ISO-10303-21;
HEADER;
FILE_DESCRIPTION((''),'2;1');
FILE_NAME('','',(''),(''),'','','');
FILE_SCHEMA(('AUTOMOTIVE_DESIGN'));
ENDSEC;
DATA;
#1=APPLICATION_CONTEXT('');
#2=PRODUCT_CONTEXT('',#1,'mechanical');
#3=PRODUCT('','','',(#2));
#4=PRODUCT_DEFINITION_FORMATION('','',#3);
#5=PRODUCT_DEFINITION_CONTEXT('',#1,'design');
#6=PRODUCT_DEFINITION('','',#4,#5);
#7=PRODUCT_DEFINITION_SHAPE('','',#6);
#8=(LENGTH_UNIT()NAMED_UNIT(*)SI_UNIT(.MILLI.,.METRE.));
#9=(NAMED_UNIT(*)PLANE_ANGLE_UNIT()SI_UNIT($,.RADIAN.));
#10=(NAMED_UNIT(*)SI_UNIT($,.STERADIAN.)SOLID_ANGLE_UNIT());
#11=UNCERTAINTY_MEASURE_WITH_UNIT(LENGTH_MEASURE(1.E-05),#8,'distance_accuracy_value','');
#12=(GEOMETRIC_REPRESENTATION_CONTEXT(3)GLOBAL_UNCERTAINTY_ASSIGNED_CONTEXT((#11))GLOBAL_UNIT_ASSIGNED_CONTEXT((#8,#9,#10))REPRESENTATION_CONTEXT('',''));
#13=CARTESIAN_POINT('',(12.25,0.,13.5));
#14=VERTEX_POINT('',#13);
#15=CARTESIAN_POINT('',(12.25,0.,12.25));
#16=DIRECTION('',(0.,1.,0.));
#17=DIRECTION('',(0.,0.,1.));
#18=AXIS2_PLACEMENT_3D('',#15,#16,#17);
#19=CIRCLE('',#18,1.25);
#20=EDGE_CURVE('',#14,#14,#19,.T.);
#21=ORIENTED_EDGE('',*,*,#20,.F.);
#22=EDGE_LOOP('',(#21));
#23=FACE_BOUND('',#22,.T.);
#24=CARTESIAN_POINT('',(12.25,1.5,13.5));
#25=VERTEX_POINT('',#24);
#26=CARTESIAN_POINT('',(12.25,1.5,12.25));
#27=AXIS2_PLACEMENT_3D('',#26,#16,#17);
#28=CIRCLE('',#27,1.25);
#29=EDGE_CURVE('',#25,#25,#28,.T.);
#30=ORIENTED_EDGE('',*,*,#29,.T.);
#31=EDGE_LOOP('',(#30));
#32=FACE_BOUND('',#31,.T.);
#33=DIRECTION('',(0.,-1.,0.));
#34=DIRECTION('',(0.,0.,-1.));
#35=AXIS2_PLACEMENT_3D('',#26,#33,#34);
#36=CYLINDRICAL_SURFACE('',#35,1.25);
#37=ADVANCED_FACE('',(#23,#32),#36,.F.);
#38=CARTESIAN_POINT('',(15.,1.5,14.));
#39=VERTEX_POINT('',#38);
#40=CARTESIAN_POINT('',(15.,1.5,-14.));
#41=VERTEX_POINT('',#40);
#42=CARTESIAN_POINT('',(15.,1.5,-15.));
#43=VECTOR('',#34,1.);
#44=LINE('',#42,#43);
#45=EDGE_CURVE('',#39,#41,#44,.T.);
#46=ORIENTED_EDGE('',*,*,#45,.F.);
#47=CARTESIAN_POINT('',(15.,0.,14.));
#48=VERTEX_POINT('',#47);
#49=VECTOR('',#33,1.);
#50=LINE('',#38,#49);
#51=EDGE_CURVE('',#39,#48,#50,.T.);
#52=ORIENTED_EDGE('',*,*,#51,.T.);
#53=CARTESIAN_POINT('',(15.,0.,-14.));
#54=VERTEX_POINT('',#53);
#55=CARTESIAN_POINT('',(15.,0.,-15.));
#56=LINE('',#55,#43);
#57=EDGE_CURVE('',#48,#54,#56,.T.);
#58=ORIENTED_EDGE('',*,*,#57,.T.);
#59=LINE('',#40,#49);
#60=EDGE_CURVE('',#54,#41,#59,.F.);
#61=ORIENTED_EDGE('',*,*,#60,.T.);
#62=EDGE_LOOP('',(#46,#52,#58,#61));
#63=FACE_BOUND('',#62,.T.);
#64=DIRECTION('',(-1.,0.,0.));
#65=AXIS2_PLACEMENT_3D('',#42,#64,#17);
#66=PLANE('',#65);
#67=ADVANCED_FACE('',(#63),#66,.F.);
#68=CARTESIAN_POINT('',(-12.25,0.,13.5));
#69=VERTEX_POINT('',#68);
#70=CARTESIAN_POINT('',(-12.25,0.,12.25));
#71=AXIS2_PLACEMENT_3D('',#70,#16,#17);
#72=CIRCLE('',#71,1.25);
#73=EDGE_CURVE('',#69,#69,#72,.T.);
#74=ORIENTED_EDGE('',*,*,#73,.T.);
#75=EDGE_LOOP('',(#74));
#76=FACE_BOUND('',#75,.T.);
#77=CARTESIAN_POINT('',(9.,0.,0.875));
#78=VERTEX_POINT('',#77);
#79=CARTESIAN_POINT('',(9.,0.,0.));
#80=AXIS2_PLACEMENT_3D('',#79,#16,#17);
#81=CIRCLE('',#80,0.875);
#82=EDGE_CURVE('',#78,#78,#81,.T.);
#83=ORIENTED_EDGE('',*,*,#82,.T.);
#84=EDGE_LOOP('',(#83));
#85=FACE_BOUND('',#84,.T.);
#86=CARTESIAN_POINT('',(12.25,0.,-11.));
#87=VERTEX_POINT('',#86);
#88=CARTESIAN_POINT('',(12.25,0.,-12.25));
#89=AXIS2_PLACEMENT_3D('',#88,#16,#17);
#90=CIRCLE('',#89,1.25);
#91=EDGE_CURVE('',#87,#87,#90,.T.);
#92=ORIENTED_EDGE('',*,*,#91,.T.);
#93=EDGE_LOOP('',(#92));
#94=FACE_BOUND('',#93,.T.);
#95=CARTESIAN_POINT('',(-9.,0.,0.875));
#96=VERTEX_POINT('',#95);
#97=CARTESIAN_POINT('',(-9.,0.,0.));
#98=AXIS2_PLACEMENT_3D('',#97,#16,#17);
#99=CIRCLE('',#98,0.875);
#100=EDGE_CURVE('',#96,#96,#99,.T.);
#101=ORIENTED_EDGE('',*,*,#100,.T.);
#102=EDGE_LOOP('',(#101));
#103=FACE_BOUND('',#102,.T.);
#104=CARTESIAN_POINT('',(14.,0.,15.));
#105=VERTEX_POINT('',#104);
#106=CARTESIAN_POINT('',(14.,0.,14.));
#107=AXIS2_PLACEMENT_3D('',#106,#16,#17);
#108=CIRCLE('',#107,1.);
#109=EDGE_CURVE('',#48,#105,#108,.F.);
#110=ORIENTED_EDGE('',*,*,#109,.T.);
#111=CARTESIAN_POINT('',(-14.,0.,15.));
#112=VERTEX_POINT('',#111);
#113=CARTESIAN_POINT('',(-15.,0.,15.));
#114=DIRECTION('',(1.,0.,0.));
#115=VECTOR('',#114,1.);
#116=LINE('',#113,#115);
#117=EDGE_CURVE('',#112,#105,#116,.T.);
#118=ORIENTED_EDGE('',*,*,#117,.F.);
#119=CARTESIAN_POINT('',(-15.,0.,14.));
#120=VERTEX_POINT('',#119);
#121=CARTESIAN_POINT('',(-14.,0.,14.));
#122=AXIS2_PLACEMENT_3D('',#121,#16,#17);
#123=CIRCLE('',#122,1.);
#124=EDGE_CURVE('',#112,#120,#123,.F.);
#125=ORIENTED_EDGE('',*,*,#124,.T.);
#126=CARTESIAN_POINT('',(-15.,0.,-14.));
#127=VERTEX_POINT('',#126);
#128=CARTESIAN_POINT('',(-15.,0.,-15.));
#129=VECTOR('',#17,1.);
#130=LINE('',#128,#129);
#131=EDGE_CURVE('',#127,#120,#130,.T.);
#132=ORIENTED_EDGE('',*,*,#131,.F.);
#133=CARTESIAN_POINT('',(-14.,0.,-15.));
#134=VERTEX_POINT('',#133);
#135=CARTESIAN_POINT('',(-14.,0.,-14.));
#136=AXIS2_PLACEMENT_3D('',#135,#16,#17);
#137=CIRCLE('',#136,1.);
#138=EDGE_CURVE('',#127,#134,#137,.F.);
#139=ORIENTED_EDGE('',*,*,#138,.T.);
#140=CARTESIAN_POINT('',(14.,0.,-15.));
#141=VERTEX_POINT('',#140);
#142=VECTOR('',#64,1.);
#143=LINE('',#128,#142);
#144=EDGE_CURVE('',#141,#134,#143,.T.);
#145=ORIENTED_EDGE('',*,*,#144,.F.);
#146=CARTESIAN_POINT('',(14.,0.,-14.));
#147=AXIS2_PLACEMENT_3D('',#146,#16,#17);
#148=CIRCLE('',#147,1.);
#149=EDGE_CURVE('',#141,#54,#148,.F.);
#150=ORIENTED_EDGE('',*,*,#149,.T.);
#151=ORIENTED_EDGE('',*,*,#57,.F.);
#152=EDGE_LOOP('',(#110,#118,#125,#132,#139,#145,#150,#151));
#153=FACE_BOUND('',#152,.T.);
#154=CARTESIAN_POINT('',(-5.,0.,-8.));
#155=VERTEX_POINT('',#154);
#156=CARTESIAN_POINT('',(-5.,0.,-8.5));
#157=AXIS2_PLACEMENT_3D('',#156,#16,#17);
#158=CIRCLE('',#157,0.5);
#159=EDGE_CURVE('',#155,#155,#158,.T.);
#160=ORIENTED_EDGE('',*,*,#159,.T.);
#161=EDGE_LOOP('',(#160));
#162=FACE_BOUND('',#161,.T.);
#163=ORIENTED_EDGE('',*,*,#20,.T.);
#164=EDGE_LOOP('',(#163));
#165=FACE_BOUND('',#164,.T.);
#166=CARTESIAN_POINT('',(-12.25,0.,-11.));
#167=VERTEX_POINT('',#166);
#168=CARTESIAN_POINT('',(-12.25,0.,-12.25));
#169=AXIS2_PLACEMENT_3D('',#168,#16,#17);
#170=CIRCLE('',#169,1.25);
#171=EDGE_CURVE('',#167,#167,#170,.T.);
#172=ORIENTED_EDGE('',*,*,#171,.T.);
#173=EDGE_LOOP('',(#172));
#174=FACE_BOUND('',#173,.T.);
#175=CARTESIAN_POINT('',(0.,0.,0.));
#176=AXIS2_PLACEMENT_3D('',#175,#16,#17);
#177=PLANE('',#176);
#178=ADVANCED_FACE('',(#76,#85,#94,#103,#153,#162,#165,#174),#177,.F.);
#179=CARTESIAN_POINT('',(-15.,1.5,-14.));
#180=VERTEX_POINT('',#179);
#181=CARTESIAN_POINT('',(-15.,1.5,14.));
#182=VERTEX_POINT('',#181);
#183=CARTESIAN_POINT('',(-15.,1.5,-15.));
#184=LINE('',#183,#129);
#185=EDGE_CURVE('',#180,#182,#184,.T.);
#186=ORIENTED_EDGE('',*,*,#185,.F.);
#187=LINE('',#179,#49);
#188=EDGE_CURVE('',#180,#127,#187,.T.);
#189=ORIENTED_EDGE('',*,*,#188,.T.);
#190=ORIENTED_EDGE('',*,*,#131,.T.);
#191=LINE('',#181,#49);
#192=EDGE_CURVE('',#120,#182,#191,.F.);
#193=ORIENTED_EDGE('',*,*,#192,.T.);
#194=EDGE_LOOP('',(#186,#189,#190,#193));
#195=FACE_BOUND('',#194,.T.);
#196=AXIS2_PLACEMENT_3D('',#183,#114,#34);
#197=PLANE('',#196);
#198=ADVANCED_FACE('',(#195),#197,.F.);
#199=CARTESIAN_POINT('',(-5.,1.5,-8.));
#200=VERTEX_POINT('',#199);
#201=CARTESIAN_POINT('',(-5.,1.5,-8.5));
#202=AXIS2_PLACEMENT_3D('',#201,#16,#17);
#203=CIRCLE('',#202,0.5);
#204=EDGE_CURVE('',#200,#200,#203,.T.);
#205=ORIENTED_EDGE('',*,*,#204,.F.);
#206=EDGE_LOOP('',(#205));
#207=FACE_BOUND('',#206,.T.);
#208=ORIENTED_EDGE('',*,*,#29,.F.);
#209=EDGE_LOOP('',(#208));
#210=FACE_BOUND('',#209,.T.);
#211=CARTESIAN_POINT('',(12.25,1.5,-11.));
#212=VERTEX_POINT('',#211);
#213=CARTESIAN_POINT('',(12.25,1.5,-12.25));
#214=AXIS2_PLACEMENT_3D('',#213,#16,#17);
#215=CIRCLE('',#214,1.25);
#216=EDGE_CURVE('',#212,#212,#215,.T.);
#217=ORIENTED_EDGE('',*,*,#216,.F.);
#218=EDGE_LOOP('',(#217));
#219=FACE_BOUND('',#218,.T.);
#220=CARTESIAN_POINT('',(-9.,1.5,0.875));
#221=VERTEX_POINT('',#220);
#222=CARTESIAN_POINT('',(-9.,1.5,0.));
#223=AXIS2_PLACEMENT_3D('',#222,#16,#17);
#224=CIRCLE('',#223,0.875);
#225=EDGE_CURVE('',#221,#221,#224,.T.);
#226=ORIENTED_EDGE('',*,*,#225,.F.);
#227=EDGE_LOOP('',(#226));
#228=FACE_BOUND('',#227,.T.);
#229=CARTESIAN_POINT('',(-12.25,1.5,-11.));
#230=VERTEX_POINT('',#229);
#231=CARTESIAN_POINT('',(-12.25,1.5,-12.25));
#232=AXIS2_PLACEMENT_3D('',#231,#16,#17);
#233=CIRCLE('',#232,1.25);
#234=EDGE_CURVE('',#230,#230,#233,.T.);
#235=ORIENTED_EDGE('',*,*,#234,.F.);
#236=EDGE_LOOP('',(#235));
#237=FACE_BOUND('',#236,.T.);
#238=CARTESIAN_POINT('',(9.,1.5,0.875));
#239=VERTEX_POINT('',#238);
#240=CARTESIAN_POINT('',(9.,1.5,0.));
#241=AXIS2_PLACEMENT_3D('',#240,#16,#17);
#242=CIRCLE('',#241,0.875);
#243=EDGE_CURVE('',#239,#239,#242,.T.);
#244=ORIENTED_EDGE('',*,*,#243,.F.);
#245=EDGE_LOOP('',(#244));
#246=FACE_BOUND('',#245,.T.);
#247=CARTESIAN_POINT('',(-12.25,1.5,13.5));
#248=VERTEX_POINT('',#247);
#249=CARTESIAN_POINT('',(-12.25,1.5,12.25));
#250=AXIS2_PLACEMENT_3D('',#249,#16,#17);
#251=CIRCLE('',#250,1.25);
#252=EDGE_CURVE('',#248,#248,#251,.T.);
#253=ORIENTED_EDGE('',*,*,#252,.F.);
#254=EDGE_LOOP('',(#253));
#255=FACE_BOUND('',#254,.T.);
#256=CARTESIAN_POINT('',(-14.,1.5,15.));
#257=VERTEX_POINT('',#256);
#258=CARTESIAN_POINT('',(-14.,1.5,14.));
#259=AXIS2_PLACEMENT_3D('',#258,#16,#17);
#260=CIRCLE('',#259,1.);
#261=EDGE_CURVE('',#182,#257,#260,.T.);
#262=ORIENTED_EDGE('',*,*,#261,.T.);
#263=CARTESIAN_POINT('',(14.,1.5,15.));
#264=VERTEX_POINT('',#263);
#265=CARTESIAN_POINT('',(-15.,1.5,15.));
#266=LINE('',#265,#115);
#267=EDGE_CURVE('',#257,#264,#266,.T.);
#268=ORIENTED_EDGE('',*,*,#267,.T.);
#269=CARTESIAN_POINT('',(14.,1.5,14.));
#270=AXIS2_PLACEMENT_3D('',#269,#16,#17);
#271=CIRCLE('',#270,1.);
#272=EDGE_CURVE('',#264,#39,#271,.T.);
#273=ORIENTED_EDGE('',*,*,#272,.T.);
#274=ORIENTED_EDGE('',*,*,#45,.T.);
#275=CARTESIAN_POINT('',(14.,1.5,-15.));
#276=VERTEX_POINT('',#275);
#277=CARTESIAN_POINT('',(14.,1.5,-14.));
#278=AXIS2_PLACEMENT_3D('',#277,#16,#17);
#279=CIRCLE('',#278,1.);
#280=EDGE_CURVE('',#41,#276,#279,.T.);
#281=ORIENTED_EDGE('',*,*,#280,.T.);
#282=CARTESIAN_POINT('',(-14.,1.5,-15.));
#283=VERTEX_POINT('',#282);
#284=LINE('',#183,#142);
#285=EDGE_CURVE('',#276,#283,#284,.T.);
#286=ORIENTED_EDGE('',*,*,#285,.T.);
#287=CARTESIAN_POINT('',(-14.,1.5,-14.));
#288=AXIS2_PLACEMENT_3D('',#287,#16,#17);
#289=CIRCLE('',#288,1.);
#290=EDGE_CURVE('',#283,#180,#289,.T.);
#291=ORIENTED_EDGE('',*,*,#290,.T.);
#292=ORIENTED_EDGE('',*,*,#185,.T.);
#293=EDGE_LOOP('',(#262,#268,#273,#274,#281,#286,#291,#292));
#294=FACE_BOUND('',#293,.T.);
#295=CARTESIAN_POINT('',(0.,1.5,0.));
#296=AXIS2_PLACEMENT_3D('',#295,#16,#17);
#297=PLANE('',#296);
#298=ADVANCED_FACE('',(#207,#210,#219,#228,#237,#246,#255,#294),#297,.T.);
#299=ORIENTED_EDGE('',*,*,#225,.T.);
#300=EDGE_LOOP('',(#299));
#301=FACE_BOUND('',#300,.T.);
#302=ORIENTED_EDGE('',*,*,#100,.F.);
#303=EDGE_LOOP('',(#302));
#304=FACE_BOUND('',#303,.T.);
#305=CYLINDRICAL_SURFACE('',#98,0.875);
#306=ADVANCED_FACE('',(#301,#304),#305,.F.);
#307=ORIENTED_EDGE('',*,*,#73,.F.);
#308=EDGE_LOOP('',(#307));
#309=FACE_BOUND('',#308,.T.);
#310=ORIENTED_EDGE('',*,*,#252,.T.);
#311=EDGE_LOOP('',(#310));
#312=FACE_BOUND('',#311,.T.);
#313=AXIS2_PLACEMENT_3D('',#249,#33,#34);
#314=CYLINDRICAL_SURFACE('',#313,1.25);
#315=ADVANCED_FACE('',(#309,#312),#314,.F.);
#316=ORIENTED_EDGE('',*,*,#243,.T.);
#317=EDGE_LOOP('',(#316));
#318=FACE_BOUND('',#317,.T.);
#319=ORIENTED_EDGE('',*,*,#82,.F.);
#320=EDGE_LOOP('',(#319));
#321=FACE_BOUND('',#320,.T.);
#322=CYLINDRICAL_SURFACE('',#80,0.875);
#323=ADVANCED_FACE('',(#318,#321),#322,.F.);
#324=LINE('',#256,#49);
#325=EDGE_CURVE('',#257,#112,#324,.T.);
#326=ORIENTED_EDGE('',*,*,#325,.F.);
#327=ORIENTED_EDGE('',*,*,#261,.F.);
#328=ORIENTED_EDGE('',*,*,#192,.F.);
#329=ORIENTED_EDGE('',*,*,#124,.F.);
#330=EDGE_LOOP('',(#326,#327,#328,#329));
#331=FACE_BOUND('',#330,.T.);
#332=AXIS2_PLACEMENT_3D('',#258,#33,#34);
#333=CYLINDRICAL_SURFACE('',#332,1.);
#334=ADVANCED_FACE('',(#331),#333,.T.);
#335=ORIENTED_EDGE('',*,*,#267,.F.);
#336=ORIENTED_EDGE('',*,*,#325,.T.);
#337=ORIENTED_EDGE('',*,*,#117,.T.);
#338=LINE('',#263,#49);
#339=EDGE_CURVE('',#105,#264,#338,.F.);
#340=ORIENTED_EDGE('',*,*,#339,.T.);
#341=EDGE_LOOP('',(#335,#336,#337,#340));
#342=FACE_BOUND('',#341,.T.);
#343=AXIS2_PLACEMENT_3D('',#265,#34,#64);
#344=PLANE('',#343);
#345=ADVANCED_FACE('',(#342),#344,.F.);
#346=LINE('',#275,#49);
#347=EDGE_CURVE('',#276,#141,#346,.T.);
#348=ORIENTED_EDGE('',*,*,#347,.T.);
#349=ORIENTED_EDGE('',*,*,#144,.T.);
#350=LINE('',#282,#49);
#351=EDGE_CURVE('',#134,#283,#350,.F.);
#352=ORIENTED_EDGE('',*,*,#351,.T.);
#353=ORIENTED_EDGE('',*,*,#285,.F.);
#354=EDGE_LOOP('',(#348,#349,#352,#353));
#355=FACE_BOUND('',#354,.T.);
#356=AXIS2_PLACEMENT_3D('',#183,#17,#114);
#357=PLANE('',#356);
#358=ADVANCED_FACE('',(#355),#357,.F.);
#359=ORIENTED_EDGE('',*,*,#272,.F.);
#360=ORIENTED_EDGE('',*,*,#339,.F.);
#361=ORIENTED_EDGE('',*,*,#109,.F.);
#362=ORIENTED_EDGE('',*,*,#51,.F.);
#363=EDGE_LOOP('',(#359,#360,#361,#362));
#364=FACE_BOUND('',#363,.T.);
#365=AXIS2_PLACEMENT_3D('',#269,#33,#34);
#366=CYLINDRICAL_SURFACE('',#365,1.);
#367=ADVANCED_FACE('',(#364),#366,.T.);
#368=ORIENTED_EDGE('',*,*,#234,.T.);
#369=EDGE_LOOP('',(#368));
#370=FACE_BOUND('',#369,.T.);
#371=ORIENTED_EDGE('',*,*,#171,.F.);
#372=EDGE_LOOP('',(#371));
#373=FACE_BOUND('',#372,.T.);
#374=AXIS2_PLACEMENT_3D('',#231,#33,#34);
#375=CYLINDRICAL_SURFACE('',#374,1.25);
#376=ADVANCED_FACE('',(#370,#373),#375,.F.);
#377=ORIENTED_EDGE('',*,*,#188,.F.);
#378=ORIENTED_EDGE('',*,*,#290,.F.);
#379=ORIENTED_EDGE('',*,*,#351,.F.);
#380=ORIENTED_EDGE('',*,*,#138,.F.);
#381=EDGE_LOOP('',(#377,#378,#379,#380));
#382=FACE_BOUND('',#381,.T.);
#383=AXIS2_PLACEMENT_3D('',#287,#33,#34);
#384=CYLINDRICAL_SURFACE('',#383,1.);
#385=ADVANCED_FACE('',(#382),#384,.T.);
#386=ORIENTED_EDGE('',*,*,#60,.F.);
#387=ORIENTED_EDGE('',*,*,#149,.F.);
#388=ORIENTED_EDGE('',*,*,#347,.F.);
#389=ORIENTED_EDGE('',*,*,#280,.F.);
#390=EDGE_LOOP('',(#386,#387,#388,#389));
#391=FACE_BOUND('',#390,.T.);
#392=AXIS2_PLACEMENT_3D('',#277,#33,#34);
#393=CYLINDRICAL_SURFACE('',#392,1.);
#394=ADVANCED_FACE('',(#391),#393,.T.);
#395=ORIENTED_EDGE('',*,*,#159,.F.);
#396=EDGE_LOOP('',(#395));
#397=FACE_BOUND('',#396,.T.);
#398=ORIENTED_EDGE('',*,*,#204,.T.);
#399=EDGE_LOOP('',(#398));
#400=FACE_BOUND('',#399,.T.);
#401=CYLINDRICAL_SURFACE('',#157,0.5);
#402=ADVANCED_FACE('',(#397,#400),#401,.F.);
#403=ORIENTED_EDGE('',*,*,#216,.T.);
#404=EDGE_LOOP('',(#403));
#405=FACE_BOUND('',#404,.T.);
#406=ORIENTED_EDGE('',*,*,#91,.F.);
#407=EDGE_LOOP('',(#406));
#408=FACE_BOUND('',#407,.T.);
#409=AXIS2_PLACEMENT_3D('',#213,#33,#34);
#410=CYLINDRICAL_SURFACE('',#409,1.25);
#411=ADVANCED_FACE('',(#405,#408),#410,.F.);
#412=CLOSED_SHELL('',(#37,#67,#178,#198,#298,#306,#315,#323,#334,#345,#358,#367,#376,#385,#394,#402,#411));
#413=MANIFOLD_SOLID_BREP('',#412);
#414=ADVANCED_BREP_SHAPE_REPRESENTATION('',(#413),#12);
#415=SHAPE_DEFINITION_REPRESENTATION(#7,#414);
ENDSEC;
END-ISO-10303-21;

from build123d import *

# Parameters (mm, degrees)
SKETCH1_W           = 30
SKETCH1_H           = 30
SKETCH1_R           = 1.25
BOSS_EXTRUDE1_DEPTH = 1.5
FILLET1_R           = 1
SKETCH2_R           = 0.5
SKETCH2_R_2         = 0.875
CUT_EXTRUDE1_DEPTH  = 2.5


with BuildPart() as part:
    # Sketch1 → Boss-Extrude1 (new body)
    with BuildSketch(Plane(origin=(0, 0, 0), x_dir=(1, 0, 0), z_dir=(0, 1, 0))):
        Rectangle(SKETCH1_W, SKETCH1_H)
        with Locations((-12.25, 12.25)):
            Circle(SKETCH1_R, mode=Mode.SUBTRACT)
        with Locations((12.25, 12.25)):
            Circle(SKETCH1_R, mode=Mode.SUBTRACT)
        with Locations((12.25, -12.25)):
            Circle(SKETCH1_R, mode=Mode.SUBTRACT)
        with Locations((-12.25, -12.25)):
            Circle(SKETCH1_R, mode=Mode.SUBTRACT)
    extrude(amount=BOSS_EXTRUDE1_DEPTH)

    # Fillet1
    fillet1_edges = [part.edges().sort_by_distance(p)[0] for p in [
        (-15, 0.75, -15),
        (15, 0.75, -15),
        (15, 0.75, 15),
        (-15, 0.75, 15),
    ]]
    fillet(fillet1_edges, radius=FILLET1_R)

    # Sketch2 → Cut-Extrude1 (cut, through all)
    with BuildSketch(Plane(origin=(0, 1.5, 0), x_dir=(1, 0, 0), z_dir=(0, 1, 0))):
        with Locations((-5, 8.5)):
            Circle(SKETCH2_R)
        with Locations((-9, 0)):
            Circle(SKETCH2_R_2)
        with Locations((9, 0)):
            Circle(SKETCH2_R_2)
    extrude(amount=-CUT_EXTRUDE1_DEPTH, mode=Mode.SUBTRACT)


solid = part.part
